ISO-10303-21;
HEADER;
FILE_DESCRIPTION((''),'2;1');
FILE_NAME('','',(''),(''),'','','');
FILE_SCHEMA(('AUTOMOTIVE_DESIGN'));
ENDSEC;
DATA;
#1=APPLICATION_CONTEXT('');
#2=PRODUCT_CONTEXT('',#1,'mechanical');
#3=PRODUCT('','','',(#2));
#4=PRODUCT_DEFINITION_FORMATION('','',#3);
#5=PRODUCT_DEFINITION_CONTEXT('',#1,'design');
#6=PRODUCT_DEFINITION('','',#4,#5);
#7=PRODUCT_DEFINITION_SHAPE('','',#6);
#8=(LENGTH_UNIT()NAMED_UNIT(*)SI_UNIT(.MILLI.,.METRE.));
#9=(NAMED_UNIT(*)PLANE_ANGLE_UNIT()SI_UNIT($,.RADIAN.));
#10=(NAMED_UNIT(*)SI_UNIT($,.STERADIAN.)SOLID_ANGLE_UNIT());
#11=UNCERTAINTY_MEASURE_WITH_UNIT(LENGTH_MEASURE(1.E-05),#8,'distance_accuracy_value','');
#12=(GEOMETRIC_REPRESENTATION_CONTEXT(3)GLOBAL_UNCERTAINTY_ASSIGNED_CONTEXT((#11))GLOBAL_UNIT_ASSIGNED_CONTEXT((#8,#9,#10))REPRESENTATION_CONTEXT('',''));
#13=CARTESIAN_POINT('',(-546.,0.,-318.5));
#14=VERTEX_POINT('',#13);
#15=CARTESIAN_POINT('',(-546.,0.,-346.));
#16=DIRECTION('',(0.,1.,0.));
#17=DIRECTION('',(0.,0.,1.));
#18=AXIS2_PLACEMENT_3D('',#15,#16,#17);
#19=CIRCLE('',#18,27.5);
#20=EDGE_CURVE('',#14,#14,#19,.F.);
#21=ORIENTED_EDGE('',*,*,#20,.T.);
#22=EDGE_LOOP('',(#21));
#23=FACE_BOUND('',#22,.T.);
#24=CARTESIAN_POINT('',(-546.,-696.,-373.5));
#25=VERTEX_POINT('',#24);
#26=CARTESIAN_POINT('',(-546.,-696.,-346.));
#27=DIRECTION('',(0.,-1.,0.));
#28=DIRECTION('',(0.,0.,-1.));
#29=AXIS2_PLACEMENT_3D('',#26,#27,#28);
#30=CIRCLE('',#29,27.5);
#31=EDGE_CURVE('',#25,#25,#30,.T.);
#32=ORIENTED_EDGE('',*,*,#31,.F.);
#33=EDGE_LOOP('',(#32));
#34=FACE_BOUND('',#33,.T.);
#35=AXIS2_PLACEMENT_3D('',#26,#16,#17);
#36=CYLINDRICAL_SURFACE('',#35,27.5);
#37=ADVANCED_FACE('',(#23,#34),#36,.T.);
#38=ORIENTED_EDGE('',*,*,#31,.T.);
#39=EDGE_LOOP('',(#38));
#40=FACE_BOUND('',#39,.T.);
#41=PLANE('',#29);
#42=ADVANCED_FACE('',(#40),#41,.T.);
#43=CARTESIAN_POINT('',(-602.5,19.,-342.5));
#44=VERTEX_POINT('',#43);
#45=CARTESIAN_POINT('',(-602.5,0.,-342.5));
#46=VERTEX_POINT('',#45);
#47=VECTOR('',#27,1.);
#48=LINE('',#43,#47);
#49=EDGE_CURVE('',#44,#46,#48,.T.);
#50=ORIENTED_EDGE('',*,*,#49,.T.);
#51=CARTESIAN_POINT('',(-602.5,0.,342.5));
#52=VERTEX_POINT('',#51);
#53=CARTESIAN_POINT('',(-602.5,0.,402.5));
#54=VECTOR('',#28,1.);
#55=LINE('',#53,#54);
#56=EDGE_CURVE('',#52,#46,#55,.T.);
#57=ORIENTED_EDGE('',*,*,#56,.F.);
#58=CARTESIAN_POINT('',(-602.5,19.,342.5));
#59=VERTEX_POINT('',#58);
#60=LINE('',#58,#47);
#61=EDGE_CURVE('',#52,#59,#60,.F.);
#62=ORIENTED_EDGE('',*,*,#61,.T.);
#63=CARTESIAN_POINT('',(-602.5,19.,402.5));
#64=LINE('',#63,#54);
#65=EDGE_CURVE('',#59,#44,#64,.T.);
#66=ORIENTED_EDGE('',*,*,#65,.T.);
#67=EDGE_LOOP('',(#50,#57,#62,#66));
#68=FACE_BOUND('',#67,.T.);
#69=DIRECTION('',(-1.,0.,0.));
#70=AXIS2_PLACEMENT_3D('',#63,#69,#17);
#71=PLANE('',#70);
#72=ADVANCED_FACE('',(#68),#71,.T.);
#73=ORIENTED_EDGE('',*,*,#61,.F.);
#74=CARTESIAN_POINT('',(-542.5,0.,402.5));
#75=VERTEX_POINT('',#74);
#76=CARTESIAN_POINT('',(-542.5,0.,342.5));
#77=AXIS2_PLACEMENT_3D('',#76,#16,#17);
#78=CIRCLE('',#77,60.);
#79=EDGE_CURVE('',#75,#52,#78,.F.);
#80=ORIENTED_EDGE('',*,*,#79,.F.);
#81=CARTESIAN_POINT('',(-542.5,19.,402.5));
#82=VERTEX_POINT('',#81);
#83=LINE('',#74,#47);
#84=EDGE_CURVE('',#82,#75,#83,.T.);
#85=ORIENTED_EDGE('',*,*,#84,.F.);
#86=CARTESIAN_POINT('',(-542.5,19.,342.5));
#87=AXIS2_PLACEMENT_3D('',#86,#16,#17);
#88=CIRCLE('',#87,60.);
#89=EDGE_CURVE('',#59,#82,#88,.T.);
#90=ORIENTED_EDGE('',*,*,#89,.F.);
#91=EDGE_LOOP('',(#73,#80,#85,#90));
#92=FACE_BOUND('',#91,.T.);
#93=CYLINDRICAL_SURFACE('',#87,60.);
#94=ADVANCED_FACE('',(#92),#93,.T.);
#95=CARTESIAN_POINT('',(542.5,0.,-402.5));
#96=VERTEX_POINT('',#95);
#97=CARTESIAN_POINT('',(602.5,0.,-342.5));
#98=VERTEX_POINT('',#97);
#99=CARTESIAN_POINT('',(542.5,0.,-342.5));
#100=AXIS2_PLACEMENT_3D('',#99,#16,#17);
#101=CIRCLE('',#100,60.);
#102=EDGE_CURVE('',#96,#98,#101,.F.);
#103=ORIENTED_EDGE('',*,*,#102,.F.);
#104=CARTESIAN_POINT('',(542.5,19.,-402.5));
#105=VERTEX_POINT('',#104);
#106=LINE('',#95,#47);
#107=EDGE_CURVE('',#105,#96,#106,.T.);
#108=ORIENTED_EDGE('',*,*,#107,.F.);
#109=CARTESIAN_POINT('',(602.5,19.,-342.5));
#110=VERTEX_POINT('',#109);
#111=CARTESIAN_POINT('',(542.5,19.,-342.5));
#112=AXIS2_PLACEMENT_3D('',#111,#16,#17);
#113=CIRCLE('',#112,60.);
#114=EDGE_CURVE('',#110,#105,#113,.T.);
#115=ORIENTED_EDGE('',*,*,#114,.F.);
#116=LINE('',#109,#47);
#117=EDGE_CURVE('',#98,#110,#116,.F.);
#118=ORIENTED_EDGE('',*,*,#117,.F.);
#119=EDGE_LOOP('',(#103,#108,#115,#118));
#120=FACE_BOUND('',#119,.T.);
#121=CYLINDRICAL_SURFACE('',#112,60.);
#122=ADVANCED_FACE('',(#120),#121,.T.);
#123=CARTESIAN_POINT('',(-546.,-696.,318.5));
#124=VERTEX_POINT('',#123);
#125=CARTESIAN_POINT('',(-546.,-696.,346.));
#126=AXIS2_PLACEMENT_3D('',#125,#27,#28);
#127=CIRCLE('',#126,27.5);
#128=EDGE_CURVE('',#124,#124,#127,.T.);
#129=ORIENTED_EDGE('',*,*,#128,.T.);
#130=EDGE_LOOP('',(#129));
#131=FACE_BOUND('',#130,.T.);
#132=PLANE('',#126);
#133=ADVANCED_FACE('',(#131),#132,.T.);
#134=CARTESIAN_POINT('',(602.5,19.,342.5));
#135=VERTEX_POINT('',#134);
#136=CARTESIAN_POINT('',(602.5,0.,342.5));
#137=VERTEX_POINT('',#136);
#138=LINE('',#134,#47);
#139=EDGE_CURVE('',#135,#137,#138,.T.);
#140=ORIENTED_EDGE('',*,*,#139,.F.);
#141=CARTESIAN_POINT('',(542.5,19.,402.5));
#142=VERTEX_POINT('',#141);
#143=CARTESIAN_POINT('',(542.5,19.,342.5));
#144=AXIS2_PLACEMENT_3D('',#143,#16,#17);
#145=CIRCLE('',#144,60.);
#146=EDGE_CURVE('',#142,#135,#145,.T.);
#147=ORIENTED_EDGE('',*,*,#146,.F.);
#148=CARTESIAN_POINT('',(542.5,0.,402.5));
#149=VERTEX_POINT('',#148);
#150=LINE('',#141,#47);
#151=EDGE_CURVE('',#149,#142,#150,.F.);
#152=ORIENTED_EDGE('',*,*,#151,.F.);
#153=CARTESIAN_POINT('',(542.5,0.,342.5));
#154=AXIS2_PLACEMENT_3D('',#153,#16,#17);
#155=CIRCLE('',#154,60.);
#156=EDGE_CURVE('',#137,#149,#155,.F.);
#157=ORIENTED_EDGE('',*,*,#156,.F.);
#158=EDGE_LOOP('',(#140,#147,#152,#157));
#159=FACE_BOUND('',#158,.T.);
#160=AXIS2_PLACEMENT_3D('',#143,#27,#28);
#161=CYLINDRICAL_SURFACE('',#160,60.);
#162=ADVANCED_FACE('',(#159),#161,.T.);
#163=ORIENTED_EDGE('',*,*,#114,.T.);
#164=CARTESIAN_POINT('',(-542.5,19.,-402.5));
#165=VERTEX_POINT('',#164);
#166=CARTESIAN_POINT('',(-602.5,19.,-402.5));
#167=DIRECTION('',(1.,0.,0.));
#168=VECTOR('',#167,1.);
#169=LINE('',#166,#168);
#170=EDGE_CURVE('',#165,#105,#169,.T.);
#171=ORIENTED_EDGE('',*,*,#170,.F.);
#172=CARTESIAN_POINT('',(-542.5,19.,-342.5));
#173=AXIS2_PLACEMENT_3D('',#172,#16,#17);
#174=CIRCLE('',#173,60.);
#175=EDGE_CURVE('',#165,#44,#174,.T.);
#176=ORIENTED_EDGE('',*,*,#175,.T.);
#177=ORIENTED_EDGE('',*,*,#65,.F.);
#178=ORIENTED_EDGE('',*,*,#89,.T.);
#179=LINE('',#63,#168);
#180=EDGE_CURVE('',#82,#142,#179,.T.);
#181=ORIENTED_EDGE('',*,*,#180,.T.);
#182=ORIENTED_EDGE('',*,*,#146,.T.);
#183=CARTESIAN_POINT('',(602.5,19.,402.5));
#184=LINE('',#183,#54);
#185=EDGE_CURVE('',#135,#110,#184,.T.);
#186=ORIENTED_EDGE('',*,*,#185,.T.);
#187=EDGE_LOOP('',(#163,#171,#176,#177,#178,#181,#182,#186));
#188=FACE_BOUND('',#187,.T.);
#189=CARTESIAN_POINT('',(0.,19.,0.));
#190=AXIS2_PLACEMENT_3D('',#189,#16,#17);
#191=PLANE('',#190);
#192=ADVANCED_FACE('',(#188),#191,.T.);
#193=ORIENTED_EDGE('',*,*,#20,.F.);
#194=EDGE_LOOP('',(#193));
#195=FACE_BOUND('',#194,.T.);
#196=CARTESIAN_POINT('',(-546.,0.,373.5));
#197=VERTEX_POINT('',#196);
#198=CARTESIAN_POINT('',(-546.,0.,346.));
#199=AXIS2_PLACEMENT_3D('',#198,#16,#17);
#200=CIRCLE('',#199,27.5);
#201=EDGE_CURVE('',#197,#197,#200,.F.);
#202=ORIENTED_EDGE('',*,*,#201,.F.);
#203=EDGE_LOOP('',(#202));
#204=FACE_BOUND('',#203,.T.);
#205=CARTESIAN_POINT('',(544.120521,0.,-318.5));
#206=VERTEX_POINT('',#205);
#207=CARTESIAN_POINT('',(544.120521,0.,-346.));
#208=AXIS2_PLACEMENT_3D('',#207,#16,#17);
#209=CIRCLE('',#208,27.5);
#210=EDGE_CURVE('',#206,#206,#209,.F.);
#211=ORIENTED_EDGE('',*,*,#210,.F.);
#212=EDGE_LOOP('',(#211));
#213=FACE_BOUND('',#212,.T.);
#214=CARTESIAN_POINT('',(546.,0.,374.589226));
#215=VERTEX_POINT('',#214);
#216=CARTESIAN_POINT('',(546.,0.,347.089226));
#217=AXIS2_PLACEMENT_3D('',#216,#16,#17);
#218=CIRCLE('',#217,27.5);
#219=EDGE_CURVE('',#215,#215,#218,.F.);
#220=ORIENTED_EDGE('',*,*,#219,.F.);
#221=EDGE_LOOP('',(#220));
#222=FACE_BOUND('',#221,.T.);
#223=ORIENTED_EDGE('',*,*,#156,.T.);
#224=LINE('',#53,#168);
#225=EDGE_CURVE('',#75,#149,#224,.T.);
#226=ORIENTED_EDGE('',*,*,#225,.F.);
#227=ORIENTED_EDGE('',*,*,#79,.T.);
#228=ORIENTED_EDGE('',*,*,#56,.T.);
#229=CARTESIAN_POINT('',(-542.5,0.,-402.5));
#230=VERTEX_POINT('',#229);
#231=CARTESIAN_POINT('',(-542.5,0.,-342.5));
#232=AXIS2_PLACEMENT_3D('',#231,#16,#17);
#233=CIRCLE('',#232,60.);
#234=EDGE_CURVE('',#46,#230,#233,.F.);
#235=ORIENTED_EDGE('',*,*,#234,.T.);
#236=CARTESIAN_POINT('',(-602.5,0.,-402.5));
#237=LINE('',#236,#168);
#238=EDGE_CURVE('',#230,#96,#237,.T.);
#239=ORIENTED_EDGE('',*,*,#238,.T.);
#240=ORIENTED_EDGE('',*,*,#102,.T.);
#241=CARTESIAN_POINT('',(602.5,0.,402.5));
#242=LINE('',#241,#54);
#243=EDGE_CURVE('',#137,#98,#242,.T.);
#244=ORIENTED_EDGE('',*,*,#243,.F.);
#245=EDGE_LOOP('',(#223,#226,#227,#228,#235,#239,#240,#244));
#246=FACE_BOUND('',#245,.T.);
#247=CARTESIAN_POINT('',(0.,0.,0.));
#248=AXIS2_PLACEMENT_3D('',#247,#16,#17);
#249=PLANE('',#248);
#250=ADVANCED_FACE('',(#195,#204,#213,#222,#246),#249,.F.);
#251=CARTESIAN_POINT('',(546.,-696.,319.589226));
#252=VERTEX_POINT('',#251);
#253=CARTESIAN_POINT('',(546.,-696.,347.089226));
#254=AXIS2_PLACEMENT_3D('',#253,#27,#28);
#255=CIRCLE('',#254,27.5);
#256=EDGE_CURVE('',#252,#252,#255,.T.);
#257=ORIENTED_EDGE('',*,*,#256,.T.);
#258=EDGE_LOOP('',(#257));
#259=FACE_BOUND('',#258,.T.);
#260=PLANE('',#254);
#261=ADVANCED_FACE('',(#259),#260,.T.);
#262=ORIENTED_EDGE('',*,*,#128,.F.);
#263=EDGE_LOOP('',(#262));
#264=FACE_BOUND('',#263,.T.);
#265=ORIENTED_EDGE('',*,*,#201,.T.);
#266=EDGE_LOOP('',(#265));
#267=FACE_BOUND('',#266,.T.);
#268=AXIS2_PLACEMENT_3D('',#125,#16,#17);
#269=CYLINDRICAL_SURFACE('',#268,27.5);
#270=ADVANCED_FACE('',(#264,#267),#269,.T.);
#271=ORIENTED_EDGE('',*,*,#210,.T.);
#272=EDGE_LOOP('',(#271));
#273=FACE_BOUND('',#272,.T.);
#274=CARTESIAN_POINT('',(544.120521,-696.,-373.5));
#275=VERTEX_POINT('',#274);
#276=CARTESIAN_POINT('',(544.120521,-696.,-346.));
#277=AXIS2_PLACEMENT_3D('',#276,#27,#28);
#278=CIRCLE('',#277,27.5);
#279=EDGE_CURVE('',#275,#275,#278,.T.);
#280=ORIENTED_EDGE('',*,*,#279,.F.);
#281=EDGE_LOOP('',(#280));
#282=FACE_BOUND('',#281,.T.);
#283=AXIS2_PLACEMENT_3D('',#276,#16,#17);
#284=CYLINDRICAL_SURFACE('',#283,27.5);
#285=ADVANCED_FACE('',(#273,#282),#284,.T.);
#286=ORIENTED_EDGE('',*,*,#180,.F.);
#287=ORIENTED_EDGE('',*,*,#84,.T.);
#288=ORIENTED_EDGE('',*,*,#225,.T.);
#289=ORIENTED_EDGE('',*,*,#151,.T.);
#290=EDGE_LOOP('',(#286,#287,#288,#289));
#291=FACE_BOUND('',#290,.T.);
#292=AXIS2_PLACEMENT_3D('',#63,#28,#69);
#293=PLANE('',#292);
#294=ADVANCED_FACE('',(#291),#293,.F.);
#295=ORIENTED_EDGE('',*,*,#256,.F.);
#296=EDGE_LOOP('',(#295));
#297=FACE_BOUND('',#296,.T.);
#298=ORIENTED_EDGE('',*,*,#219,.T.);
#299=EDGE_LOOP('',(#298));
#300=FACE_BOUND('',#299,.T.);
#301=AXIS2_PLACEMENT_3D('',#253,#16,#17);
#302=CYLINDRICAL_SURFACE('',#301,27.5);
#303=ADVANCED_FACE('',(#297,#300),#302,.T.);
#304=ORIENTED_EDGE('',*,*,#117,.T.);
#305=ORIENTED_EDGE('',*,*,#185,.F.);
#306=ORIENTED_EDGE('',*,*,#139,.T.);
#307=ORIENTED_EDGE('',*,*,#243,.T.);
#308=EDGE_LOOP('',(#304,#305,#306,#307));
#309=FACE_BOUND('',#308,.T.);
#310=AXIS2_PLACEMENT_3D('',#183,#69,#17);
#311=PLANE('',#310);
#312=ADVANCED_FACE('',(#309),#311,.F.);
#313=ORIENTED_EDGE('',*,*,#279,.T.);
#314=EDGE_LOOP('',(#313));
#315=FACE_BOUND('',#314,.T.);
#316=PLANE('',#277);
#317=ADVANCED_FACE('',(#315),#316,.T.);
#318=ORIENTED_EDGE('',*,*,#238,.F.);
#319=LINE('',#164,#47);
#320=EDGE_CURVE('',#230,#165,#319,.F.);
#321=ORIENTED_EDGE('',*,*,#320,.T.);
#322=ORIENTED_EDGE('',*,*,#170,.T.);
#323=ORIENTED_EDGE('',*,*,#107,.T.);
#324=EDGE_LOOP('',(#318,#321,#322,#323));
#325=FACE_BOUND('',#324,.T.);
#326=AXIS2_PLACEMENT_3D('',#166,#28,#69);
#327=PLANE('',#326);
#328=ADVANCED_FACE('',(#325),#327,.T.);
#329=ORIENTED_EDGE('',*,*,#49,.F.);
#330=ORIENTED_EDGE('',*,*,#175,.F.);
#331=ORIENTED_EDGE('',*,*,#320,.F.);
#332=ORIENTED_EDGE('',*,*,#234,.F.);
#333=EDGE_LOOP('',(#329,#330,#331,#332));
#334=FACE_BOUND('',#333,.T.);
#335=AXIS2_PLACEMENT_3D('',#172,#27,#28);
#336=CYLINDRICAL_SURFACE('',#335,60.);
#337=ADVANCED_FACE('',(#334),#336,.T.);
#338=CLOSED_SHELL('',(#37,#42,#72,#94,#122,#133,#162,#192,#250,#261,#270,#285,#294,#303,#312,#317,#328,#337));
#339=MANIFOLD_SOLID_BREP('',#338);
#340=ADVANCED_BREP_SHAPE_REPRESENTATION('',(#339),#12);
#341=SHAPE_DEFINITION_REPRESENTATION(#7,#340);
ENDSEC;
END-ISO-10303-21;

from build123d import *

# Parameters (mm, degrees)
SKETCH1_W           = 1205
SKETCH1_H           = 805
BOSS_EXTRUDE1_DEPTH = 19
SKETCH2_R           = 27.5
BOSS_EXTRUDE2_DEPTH = 696
FILLET1_R           = 60


with BuildPart() as part:
    # Sketch1 → Boss-Extrude1 (new body)
    with BuildSketch(Plane(origin=(0, 0, 0), x_dir=(1, 0, 0), z_dir=(0, 1, 0))):
        Rectangle(SKETCH1_W, SKETCH1_H)
    extrude(amount=BOSS_EXTRUDE1_DEPTH)

    # Sketch2 → Boss-Extrude2 (add)
    with BuildSketch(Plane(origin=(0, 0, 0), x_dir=(-1, 0, 0), z_dir=(0, -1, 0))):
        with Locations(Location((546, 346, 0), (0, 0, 270))):
            Circle(SKETCH2_R)
        with Locations(Location((-544.120521212, 346, 0), (0, 0, 270))):
            Circle(SKETCH2_R)
        with Locations(Location((-546, -347.089225584, 0), (0, 0, 270))):
            Circle(SKETCH2_R)
        with Locations(Location((546, -346, 0), (0, 0, 270))):
            Circle(SKETCH2_R)
    extrude(amount=BOSS_EXTRUDE2_DEPTH)

    # Fillet1
    fillet1_edges = [part.edges().sort_by_distance(p)[0] for p in [
        (-602.5, 9.5, -402.5),
        (-602.5, 9.5, 402.5),
        (602.5, 9.5, 402.5),
        (602.5, 9.5, -402.5),
    ]]
    fillet(fillet1_edges, radius=FILLET1_R)


solid = part.part
